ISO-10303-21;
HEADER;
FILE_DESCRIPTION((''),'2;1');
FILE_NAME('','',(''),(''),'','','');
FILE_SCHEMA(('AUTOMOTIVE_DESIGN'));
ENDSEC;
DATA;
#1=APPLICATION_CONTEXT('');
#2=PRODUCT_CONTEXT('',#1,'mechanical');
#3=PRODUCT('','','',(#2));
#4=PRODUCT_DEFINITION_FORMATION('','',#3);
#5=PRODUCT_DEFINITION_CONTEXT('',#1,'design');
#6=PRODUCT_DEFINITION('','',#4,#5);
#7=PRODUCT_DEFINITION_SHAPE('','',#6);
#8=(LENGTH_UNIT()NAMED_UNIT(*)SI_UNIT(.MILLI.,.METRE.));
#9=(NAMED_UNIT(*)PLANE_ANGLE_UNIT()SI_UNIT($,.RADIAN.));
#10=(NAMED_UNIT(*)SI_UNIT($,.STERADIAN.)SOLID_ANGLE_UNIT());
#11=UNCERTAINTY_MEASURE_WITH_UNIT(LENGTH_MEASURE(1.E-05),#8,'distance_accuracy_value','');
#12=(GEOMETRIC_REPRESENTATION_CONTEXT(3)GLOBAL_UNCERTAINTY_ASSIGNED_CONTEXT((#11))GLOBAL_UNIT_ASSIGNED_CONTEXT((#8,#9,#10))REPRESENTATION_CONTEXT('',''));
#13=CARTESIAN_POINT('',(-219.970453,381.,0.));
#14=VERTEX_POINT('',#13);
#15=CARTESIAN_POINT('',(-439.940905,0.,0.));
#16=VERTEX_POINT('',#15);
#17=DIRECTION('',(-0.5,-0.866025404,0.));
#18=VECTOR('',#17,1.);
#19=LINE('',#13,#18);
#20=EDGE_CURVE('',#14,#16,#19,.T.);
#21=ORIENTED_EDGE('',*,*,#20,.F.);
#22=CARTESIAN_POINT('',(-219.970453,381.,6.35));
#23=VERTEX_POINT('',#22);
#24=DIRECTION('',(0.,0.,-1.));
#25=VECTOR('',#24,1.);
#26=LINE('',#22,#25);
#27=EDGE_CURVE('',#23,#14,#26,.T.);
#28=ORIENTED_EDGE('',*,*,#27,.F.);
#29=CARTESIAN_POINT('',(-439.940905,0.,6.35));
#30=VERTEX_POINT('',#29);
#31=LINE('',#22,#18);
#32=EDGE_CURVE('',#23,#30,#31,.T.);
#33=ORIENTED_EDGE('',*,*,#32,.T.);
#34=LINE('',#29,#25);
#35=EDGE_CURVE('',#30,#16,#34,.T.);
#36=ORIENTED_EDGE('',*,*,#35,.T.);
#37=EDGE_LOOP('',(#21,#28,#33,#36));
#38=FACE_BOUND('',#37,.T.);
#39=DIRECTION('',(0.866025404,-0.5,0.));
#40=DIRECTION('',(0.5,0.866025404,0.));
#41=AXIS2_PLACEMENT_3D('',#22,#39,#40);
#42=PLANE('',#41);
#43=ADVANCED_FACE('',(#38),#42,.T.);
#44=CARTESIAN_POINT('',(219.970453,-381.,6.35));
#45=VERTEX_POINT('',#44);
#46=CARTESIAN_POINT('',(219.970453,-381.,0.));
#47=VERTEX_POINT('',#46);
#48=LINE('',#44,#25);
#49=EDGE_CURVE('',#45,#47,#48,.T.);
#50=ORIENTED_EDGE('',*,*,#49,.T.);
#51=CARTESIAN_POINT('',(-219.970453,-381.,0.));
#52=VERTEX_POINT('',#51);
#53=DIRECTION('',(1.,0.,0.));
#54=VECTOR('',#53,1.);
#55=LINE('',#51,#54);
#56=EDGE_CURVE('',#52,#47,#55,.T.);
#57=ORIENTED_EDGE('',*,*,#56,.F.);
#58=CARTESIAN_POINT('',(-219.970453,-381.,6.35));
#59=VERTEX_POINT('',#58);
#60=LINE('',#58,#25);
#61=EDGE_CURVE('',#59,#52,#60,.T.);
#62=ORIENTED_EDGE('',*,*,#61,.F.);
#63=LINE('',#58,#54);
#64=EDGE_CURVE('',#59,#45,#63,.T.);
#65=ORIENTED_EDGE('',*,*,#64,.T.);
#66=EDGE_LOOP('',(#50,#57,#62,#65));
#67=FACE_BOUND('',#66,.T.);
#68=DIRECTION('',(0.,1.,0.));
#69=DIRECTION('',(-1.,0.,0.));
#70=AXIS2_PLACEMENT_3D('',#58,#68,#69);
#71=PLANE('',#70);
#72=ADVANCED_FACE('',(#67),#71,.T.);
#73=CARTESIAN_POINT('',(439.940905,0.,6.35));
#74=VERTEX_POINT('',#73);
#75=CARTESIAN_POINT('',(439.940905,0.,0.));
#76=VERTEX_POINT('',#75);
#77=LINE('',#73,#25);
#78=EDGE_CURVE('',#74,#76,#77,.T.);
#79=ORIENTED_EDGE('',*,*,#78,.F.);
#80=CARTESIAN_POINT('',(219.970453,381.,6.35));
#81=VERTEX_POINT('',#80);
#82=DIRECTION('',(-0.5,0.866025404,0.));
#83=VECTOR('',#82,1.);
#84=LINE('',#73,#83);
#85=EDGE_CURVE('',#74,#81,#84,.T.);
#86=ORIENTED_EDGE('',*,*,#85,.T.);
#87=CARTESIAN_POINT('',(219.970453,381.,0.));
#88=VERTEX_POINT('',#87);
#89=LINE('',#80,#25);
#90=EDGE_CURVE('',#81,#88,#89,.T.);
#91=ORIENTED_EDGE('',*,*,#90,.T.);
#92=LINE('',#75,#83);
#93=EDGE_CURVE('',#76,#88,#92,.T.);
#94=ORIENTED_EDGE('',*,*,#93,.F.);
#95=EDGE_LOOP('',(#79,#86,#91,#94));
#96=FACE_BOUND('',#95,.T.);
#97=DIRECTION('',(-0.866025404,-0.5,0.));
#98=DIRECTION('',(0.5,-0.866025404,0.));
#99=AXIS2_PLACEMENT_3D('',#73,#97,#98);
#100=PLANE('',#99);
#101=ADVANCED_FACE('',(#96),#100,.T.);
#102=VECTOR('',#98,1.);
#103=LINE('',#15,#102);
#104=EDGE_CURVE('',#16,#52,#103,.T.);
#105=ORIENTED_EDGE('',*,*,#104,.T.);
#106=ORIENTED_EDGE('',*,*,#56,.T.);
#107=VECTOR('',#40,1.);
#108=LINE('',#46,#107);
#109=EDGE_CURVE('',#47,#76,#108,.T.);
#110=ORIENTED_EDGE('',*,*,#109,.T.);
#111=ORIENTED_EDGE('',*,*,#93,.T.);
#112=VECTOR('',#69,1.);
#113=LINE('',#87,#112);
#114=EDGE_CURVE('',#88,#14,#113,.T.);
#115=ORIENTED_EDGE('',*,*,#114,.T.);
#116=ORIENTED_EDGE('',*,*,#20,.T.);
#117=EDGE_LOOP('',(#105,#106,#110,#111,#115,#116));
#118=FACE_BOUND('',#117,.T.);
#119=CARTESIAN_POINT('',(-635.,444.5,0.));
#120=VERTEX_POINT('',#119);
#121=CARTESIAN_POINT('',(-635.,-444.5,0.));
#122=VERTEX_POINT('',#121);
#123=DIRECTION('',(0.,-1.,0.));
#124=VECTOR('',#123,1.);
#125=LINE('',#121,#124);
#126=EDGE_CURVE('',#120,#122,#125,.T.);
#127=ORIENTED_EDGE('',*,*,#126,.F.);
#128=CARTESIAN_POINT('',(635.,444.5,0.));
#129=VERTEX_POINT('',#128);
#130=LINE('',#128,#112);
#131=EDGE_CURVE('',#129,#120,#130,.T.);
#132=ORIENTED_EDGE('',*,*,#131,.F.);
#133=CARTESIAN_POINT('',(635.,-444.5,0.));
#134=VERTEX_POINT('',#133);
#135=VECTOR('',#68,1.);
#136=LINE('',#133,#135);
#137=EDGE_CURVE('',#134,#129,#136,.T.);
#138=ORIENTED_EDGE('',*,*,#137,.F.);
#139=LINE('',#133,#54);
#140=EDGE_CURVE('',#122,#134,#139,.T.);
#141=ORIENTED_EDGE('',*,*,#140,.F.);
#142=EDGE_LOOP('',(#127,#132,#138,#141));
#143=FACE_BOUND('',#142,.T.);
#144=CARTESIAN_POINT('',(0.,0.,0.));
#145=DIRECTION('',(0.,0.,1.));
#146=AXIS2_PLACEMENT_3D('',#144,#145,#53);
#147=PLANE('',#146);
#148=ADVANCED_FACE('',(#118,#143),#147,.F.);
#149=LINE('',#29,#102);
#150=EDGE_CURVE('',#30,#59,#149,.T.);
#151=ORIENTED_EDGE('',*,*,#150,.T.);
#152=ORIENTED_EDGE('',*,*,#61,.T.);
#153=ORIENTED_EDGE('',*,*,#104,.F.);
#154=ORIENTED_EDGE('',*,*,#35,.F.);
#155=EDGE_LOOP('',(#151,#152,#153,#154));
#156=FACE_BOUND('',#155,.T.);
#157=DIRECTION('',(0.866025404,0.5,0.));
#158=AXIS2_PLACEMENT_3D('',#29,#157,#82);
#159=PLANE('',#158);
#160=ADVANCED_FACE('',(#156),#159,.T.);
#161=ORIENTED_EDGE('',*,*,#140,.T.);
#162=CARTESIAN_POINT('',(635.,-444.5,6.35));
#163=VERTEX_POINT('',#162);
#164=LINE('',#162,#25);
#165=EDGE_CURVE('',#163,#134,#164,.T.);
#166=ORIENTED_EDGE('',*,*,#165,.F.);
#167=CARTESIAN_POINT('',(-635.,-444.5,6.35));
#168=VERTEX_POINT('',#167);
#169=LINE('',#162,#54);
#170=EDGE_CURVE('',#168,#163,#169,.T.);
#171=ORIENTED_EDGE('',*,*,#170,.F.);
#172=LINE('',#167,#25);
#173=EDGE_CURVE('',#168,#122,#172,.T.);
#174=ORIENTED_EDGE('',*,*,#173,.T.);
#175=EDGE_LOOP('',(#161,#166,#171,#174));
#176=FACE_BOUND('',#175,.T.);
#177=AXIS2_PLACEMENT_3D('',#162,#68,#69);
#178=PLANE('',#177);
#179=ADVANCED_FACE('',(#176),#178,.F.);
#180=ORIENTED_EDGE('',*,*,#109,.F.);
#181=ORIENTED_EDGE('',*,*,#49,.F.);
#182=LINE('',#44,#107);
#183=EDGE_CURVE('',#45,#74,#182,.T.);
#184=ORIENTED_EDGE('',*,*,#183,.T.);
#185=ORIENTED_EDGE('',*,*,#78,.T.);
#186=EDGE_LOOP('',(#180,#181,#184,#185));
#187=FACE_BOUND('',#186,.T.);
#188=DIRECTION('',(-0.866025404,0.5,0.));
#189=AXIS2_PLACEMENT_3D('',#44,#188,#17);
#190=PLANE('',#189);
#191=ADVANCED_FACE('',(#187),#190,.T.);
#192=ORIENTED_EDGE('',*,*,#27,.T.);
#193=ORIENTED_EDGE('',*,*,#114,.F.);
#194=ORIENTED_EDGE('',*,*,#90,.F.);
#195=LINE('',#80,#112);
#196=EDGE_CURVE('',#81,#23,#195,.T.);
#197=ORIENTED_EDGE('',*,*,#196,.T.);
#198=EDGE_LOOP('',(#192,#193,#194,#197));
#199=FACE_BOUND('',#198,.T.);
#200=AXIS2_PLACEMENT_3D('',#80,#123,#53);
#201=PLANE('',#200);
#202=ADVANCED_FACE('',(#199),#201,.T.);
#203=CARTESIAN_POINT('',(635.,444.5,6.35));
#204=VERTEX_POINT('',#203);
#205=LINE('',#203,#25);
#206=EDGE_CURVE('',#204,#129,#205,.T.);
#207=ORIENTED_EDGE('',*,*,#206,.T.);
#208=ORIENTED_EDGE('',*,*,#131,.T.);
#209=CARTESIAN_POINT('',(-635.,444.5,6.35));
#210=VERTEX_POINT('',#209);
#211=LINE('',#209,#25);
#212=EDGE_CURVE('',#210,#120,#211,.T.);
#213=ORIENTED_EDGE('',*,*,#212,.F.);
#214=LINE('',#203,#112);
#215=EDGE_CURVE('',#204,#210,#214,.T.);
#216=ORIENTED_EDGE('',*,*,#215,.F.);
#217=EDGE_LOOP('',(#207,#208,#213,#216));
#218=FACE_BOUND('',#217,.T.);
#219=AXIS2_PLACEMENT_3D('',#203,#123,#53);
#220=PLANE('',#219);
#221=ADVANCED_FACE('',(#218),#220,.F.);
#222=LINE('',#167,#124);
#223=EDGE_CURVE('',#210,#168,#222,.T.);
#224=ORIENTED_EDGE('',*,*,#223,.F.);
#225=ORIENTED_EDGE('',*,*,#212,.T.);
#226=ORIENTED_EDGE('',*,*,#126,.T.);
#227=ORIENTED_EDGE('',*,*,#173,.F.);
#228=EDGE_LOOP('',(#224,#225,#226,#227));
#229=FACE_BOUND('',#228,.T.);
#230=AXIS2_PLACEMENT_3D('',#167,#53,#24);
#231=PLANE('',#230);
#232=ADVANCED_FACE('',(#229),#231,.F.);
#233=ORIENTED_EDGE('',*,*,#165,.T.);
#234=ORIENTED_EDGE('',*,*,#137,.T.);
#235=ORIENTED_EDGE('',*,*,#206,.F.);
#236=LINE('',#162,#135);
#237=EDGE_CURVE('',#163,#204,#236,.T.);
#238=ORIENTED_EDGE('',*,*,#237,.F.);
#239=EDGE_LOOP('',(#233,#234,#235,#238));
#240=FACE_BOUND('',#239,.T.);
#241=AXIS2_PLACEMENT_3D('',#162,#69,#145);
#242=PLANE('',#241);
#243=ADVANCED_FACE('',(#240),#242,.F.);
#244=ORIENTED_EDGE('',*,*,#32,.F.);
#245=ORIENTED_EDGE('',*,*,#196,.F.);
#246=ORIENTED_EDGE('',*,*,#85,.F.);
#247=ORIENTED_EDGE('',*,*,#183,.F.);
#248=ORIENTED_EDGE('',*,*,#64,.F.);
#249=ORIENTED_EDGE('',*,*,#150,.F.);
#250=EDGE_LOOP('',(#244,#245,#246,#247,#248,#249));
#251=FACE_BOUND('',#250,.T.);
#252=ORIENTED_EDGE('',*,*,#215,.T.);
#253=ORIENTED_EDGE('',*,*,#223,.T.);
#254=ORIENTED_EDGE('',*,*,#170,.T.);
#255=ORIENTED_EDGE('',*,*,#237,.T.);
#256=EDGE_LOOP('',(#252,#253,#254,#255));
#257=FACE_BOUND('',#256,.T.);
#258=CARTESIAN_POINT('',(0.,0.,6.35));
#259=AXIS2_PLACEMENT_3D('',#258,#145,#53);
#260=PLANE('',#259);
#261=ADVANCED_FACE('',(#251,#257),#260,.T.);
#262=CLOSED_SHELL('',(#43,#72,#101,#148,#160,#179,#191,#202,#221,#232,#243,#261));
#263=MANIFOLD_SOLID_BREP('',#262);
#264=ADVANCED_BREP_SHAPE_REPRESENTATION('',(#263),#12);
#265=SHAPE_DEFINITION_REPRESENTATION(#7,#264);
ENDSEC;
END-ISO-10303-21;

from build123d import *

# Parameters (mm, degrees)
SKETCH1_W           = 1270
SKETCH1_H           = 889
BOSS_EXTRUDE1_DEPTH = 6.35


with BuildPart() as part:
    # Sketch1 → Boss-Extrude1 (new body)
    with BuildSketch(Plane.XY):
        Rectangle(SKETCH1_W, SKETCH1_H)
        Polygon((-439.940905122, 0), (-219.970452561, -381), (219.970452561, -381), (439.940905122, 0), (219.970452561, 381), (-219.970452561, 381), align=None, mode=Mode.SUBTRACT)
    extrude(amount=BOSS_EXTRUDE1_DEPTH)


solid = part.part
